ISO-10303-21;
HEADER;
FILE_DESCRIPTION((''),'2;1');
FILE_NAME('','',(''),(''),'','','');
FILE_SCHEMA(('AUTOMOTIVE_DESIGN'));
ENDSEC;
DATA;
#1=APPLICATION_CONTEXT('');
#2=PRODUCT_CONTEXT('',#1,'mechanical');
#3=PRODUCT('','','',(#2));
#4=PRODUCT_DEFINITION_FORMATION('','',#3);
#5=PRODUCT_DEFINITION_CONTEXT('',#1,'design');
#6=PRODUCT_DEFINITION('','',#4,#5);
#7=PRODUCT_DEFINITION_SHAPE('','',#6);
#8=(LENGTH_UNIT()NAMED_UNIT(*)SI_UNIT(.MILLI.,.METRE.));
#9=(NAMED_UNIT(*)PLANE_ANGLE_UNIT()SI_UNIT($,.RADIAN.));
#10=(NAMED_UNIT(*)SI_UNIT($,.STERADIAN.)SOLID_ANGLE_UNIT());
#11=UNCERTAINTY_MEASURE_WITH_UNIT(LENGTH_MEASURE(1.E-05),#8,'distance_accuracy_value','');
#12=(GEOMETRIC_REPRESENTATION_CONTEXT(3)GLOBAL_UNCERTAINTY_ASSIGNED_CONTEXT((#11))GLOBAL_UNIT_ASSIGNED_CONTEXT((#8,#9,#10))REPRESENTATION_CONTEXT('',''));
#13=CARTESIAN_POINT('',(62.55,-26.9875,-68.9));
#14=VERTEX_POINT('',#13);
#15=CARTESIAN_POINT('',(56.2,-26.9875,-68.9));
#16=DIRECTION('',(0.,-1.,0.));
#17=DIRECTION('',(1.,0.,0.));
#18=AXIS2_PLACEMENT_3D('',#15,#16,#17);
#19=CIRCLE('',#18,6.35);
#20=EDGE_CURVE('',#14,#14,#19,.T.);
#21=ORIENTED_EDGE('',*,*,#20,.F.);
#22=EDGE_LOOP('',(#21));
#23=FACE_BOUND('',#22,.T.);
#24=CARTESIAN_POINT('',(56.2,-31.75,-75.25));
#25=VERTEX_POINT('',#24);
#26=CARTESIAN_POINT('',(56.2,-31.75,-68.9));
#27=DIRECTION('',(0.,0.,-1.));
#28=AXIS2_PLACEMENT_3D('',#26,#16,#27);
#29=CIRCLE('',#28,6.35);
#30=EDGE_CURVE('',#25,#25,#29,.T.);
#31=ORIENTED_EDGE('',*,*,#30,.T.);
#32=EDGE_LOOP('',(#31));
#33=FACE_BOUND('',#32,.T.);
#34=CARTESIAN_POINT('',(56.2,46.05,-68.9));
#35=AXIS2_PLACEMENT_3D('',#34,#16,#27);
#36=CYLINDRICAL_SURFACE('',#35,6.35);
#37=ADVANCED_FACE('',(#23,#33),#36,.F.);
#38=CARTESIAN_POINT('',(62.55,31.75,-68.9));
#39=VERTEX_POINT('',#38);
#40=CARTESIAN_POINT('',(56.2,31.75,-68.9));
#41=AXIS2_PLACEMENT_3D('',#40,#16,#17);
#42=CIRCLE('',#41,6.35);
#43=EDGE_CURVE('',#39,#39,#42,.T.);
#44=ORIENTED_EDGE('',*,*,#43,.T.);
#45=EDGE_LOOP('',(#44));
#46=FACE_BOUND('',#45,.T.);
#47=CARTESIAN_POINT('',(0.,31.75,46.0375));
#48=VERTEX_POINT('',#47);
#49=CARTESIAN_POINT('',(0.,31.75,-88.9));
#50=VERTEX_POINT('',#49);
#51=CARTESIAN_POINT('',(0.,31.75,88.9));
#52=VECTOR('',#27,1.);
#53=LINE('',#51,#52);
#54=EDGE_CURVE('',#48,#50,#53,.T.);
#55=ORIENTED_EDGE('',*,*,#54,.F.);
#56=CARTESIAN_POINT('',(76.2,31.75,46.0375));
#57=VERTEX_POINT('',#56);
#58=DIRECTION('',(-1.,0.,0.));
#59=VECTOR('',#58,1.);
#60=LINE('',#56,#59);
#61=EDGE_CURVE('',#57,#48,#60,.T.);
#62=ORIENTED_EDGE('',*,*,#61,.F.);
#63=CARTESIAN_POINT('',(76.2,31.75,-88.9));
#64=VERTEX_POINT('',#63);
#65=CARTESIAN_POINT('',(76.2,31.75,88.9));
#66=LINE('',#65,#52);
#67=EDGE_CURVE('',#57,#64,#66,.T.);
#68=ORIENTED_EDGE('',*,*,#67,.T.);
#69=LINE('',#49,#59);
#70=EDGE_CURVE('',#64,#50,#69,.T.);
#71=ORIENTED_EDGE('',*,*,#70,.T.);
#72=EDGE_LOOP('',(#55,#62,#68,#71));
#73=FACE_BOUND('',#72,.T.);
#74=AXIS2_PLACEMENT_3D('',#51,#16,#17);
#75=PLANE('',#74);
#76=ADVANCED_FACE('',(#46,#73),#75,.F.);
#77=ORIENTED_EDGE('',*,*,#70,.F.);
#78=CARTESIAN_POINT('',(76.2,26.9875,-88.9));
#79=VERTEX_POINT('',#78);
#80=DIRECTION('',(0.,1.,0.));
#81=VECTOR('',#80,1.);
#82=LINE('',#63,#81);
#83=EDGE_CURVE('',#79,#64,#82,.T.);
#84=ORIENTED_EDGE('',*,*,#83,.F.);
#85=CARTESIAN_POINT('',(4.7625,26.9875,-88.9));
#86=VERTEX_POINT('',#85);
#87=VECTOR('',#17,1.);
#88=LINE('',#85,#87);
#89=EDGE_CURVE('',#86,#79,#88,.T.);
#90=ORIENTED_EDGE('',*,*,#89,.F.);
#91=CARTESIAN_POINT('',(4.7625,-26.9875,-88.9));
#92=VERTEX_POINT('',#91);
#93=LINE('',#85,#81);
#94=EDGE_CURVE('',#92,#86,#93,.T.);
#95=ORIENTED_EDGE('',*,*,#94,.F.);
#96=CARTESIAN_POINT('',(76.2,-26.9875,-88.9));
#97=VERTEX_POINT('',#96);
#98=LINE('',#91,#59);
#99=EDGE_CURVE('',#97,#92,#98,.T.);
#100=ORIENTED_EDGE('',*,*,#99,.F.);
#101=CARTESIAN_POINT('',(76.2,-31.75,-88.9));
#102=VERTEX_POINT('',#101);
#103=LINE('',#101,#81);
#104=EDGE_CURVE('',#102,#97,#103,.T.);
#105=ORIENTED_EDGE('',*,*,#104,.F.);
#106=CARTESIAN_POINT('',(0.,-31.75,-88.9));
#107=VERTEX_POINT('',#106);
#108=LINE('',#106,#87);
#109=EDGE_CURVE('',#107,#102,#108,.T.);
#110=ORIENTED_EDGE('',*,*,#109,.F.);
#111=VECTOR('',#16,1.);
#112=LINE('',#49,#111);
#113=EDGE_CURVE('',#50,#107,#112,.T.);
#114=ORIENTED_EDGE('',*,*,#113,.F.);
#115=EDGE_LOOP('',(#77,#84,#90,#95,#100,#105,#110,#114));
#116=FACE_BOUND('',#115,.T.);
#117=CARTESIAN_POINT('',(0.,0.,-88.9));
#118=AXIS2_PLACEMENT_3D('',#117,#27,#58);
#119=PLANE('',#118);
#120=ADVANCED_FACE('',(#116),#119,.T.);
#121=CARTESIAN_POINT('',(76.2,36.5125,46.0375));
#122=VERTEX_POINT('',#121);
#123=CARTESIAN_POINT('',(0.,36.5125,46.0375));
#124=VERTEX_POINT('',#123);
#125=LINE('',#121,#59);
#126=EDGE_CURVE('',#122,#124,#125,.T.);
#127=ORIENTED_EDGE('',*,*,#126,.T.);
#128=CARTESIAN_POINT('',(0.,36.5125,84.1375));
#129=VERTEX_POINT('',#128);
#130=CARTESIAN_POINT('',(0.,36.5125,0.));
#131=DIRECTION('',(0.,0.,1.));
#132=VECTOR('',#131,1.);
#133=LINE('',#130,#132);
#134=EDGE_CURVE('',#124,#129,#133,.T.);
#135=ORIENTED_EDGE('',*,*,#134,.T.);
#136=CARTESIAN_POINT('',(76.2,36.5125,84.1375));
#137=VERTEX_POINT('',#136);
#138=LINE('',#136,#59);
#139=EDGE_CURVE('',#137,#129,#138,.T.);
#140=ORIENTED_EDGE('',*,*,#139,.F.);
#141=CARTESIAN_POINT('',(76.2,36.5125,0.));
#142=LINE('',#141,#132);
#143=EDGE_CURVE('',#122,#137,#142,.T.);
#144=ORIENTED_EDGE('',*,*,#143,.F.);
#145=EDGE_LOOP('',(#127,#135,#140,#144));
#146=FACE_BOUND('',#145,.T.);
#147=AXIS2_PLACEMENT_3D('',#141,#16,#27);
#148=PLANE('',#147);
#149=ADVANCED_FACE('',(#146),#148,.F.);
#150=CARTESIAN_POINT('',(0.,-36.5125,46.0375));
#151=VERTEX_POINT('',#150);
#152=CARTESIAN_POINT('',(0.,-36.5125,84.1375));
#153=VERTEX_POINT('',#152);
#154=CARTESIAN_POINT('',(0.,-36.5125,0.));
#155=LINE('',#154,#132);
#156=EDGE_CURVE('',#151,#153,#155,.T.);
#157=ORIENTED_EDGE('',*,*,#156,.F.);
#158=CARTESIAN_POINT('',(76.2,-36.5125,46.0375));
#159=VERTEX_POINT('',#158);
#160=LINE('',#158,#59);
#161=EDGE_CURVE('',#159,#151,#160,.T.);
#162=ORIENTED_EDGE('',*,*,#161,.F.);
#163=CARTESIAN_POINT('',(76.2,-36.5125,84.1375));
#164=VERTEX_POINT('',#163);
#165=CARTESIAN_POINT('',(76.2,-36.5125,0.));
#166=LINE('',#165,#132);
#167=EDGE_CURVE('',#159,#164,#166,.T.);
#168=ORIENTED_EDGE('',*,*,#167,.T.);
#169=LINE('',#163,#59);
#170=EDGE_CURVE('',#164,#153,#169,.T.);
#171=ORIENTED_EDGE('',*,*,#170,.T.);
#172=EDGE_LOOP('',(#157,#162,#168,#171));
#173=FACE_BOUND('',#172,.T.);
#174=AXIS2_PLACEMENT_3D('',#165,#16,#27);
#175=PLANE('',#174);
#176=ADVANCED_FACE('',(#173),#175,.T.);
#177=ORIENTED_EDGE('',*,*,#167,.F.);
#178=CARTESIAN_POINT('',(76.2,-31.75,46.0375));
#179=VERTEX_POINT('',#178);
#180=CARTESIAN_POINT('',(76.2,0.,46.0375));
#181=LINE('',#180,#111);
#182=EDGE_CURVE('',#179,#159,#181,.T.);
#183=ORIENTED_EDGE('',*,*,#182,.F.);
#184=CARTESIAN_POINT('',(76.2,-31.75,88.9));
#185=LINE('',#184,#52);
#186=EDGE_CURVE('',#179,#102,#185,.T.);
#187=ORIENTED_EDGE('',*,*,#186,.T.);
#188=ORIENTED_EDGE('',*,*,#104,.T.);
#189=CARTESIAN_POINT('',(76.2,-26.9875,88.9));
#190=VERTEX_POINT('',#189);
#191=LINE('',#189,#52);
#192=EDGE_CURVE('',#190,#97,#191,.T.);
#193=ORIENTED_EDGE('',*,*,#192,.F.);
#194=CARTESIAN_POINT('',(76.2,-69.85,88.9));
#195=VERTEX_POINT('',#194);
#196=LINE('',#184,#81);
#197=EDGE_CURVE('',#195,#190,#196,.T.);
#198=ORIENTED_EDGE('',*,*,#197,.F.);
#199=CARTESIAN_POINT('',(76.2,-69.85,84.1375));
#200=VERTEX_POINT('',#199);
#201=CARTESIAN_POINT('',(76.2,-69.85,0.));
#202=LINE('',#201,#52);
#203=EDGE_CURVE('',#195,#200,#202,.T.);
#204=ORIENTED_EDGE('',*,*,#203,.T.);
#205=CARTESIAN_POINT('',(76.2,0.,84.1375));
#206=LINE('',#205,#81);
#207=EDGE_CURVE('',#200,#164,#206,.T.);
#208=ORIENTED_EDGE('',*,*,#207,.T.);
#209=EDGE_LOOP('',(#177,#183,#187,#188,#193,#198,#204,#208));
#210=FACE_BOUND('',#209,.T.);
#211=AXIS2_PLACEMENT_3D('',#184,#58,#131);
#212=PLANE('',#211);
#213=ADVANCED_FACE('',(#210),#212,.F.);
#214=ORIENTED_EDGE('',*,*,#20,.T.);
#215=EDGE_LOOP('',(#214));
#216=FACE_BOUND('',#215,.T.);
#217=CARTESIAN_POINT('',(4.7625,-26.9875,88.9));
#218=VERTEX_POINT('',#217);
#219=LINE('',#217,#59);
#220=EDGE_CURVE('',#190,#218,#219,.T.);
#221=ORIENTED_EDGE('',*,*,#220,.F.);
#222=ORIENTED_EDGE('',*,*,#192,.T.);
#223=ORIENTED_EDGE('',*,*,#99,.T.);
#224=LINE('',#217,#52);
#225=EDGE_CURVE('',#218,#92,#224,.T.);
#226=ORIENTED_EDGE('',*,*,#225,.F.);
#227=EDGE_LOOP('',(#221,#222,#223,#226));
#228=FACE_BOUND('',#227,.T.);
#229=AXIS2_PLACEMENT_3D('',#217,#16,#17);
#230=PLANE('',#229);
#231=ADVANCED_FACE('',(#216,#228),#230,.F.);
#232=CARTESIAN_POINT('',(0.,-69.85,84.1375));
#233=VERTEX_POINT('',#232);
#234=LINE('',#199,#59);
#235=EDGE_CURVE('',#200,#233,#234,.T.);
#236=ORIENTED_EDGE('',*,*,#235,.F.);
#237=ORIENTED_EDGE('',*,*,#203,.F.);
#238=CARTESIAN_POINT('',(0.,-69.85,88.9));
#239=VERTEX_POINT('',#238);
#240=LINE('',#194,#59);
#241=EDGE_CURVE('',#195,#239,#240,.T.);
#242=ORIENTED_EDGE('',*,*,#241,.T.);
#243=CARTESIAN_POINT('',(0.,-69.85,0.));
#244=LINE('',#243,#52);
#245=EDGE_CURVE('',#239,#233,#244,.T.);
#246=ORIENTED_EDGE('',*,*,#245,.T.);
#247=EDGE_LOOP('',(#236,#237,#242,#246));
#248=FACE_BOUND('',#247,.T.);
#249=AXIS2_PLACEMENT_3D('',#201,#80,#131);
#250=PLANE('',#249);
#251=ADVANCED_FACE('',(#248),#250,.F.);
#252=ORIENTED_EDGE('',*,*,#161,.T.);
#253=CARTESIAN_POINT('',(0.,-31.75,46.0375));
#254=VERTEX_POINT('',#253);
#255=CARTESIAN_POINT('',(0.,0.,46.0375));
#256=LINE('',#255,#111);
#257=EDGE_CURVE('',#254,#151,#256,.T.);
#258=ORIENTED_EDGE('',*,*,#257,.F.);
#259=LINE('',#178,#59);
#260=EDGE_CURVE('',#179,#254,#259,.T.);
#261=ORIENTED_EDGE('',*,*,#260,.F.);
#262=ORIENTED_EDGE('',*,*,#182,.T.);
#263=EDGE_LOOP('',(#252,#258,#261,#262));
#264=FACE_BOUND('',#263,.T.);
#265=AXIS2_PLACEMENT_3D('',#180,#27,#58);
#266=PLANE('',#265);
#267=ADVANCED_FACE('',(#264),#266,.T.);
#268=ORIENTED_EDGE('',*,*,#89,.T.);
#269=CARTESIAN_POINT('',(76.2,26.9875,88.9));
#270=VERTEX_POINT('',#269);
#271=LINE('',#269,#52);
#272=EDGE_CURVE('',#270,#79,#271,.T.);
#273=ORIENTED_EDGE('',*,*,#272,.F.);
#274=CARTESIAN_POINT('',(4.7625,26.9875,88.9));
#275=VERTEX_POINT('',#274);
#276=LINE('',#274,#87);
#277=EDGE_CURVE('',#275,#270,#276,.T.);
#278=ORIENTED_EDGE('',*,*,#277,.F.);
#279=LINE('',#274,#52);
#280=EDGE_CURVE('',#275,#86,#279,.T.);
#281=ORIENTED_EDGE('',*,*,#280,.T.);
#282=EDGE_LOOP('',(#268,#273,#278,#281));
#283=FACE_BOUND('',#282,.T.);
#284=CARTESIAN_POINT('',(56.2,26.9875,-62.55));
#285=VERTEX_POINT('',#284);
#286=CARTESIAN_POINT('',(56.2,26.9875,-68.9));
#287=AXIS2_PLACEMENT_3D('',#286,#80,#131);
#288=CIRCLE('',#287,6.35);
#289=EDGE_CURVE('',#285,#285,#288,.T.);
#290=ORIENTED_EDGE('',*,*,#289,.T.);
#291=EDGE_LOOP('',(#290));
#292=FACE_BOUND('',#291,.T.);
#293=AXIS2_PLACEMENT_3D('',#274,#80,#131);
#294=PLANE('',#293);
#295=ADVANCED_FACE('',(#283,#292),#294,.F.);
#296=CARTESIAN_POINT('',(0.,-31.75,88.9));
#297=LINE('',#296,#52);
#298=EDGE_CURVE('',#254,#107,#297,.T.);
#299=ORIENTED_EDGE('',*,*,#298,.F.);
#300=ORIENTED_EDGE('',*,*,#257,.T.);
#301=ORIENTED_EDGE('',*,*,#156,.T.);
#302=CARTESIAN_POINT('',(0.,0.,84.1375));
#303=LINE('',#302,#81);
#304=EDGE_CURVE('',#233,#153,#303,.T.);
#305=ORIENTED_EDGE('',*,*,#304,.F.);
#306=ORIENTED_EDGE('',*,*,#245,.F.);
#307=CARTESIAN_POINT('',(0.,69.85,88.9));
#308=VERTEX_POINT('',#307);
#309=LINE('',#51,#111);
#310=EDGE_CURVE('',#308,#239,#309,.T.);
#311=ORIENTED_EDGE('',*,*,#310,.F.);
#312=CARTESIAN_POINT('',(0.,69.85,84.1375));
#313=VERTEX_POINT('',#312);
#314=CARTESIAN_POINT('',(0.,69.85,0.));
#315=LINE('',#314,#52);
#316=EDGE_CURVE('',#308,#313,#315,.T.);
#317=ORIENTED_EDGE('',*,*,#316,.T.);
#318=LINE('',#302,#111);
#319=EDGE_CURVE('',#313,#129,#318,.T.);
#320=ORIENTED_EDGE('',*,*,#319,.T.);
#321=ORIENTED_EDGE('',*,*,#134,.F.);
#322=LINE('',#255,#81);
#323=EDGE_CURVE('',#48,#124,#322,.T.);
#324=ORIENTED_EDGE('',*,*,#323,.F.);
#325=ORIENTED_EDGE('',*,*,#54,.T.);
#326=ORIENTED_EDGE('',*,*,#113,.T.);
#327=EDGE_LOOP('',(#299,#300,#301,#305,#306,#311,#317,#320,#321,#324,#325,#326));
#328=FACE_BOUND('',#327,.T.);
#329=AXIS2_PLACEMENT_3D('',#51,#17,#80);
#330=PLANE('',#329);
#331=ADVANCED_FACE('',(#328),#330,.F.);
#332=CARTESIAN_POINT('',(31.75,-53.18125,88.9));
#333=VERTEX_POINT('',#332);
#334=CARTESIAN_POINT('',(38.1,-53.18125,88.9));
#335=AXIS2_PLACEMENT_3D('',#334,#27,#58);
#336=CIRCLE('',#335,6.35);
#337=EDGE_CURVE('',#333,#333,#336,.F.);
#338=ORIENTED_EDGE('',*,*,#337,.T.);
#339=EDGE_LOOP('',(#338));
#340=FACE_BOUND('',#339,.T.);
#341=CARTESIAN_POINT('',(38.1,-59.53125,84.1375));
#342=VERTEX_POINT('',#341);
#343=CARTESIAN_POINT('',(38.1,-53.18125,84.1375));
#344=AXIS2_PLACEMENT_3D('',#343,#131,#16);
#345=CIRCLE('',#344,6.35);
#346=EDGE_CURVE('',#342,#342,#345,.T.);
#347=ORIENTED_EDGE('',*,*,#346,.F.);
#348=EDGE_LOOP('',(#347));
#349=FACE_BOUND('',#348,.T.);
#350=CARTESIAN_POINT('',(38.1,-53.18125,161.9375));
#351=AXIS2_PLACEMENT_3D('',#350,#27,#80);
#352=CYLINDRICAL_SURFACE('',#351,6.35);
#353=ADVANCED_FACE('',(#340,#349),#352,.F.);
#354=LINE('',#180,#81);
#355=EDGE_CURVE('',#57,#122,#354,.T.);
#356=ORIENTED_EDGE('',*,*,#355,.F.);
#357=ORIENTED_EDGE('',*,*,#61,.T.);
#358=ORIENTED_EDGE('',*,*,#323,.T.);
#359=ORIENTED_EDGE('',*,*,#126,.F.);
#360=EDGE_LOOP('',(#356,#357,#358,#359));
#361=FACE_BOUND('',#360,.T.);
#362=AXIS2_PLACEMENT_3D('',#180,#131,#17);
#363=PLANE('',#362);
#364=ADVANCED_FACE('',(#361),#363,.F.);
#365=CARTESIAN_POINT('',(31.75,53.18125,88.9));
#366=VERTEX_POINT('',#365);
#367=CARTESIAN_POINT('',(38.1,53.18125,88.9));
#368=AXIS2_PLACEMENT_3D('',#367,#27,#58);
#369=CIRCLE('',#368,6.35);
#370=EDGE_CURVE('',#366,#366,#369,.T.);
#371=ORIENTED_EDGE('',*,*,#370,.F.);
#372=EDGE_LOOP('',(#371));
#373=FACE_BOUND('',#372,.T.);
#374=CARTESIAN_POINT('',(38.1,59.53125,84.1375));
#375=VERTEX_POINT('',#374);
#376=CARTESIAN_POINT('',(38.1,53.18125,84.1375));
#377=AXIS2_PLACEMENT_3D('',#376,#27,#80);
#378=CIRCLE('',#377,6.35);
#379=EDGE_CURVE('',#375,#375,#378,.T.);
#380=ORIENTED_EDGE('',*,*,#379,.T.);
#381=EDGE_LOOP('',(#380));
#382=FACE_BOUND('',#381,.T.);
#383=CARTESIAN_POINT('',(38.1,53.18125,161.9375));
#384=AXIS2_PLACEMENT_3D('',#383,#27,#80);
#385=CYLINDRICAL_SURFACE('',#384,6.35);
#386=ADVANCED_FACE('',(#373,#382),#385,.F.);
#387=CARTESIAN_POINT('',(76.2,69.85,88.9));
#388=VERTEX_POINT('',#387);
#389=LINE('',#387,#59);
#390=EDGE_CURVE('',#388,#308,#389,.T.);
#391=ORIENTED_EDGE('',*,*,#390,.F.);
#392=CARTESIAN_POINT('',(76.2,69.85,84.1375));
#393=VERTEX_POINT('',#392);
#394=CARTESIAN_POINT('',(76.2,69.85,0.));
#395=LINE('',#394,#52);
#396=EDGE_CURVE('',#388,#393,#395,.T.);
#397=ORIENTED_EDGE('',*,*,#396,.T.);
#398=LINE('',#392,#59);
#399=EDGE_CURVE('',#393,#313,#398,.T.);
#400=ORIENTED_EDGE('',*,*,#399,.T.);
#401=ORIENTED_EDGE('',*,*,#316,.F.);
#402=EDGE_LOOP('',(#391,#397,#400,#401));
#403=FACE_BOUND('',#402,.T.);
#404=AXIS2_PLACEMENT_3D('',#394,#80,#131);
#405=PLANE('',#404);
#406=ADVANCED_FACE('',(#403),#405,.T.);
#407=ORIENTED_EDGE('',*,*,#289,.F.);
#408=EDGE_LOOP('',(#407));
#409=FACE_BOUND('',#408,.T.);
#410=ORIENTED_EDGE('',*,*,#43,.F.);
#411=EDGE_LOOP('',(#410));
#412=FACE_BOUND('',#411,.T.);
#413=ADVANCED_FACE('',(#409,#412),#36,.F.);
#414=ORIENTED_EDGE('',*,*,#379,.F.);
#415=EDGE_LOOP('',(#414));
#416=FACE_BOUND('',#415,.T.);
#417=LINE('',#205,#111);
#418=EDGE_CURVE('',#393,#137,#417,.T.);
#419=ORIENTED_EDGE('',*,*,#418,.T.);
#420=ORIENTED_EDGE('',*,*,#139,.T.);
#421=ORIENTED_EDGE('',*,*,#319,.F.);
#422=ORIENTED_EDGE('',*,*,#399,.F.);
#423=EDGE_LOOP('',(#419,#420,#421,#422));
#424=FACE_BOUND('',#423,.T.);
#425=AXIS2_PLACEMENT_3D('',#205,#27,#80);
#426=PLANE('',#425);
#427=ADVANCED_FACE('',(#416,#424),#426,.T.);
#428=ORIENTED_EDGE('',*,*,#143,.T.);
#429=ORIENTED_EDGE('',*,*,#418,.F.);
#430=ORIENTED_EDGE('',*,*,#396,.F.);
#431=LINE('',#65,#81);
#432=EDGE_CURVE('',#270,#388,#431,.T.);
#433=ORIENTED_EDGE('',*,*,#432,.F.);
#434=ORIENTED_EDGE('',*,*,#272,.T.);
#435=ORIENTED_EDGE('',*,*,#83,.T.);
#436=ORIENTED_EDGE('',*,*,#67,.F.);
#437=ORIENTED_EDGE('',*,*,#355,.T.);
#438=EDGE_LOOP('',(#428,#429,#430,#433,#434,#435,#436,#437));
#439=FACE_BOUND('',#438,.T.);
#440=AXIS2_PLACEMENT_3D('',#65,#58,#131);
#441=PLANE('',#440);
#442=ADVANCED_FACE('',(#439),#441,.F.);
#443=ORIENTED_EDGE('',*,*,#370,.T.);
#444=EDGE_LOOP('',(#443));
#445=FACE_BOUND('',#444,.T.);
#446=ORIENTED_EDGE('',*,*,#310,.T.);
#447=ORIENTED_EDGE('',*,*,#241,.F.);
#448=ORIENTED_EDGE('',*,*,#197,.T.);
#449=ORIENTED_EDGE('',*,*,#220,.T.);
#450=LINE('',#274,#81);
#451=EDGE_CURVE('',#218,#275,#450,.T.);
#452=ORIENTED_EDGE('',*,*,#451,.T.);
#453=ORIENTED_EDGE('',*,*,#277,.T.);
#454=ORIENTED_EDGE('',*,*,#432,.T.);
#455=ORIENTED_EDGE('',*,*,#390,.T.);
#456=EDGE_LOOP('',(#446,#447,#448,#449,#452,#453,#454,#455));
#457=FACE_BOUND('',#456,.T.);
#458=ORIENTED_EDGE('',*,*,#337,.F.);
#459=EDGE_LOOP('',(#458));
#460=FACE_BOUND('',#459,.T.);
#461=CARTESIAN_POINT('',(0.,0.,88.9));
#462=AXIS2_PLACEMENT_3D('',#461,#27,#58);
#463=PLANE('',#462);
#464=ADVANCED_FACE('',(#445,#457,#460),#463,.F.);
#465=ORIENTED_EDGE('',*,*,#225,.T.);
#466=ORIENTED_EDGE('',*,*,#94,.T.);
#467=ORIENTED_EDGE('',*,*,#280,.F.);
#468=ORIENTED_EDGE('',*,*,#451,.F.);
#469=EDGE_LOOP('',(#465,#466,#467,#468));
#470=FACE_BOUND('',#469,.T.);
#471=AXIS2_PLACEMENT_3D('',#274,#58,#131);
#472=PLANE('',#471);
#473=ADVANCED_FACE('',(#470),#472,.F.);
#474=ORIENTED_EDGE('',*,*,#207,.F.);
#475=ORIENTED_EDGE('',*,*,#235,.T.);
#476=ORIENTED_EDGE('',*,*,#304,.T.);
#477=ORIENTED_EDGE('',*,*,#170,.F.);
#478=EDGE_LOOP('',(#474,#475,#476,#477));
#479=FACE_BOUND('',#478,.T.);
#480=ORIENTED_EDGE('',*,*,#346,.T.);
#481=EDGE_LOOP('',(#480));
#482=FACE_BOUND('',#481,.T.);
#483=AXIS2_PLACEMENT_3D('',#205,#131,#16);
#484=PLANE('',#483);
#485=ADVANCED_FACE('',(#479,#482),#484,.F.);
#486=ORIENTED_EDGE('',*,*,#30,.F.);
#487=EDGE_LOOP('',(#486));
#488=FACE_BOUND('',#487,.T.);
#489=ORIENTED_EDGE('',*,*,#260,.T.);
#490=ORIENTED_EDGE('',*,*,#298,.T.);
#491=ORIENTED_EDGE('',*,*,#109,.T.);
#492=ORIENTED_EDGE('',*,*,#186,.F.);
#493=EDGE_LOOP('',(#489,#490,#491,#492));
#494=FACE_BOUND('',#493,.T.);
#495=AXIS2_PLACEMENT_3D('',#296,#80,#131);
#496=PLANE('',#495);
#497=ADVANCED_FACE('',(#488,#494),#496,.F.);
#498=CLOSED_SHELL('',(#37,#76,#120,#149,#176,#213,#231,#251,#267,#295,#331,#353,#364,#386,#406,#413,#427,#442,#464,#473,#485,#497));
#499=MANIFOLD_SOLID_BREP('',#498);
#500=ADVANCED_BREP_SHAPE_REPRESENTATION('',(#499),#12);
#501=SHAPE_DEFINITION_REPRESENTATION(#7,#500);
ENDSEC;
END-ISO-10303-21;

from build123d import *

# Parameters (mm, degrees)
SALIENTE_EXTRUIR1_DEPTH = 88.9
CROQUIS2_W              = 38.1
CROQUIS2_H              = 4.7625
CROQUIS2_W_2            = 4.7625
CROQUIS2_H_2            = 38.1
SALIENTE_EXTRUIR2_DEPTH = 76.2
CROQUIS4_R              = 6.35
CORTAR_EXTRUIR2_DEPTH   = 77.8
CROQUIS5_R              = 6.35
CORTAR_EXTRUIR3_DEPTH   = 77.8


with BuildPart() as part:
    # Croquis1 → Saliente-Extruir1 (new, symmetric)
    with BuildSketch(Plane.XY):
        Polygon((0, 31.75), (0, -31.75), (76.2, -31.75), (76.2, -26.9875), (4.7625, -26.9875), (4.7625, 26.9875), (76.2, 26.9875), (76.2, 31.75), align=None)
    extrude(amount=SALIENTE_EXTRUIR1_DEPTH, both=True)

    # Croquis2 → Saliente-Extruir2 (add, through all)
    with BuildSketch(Plane(origin=(0, 0, 0), x_dir=(0, 0, -1), z_dir=(1, 0, 0))):
        with Locations((-65.0875, 34.13125)):
            Rectangle(CROQUIS2_W, CROQUIS2_H)
        with Locations((-86.51875, 50.8)):
            Rectangle(CROQUIS2_W_2, CROQUIS2_H_2)
    saliente_extruir2 = extrude(amount=SALIENTE_EXTRUIR2_DEPTH)

    # Croquis4 → Cortar-Extruir2 (cut)
    with BuildSketch(Plane(origin=(0, 0, 84.1375), x_dir=(-1, 0, 0), z_dir=(0, 0, -1))):
        with Locations(Location((-38.1, 53.18125, 0), (0, 0, 90))):
            Circle(CROQUIS4_R)
    cortar_extruir2 = extrude(amount=-CORTAR_EXTRUIR2_DEPTH, mode=Mode.SUBTRACT)

    # Simetría3: Saliente-Extruir2, Cortar-Extruir2 across plane
    add(saliente_extruir2.mirror(Plane.ZX))
    add(cortar_extruir2.mirror(Plane.ZX), mode=Mode.SUBTRACT)

    # Croquis5 → Cortar-Extruir3 (cut)
    with BuildSketch(Plane(origin=(0, -31.75, 0), x_dir=(-1, 0, 0), z_dir=(0, -1, 0))):
        with Locations(Location((-56.2, 68.9, 0), (0, 0, 180))):
            Circle(CROQUIS5_R)
    extrude(amount=-CORTAR_EXTRUIR3_DEPTH, mode=Mode.SUBTRACT)


solid = part.part
